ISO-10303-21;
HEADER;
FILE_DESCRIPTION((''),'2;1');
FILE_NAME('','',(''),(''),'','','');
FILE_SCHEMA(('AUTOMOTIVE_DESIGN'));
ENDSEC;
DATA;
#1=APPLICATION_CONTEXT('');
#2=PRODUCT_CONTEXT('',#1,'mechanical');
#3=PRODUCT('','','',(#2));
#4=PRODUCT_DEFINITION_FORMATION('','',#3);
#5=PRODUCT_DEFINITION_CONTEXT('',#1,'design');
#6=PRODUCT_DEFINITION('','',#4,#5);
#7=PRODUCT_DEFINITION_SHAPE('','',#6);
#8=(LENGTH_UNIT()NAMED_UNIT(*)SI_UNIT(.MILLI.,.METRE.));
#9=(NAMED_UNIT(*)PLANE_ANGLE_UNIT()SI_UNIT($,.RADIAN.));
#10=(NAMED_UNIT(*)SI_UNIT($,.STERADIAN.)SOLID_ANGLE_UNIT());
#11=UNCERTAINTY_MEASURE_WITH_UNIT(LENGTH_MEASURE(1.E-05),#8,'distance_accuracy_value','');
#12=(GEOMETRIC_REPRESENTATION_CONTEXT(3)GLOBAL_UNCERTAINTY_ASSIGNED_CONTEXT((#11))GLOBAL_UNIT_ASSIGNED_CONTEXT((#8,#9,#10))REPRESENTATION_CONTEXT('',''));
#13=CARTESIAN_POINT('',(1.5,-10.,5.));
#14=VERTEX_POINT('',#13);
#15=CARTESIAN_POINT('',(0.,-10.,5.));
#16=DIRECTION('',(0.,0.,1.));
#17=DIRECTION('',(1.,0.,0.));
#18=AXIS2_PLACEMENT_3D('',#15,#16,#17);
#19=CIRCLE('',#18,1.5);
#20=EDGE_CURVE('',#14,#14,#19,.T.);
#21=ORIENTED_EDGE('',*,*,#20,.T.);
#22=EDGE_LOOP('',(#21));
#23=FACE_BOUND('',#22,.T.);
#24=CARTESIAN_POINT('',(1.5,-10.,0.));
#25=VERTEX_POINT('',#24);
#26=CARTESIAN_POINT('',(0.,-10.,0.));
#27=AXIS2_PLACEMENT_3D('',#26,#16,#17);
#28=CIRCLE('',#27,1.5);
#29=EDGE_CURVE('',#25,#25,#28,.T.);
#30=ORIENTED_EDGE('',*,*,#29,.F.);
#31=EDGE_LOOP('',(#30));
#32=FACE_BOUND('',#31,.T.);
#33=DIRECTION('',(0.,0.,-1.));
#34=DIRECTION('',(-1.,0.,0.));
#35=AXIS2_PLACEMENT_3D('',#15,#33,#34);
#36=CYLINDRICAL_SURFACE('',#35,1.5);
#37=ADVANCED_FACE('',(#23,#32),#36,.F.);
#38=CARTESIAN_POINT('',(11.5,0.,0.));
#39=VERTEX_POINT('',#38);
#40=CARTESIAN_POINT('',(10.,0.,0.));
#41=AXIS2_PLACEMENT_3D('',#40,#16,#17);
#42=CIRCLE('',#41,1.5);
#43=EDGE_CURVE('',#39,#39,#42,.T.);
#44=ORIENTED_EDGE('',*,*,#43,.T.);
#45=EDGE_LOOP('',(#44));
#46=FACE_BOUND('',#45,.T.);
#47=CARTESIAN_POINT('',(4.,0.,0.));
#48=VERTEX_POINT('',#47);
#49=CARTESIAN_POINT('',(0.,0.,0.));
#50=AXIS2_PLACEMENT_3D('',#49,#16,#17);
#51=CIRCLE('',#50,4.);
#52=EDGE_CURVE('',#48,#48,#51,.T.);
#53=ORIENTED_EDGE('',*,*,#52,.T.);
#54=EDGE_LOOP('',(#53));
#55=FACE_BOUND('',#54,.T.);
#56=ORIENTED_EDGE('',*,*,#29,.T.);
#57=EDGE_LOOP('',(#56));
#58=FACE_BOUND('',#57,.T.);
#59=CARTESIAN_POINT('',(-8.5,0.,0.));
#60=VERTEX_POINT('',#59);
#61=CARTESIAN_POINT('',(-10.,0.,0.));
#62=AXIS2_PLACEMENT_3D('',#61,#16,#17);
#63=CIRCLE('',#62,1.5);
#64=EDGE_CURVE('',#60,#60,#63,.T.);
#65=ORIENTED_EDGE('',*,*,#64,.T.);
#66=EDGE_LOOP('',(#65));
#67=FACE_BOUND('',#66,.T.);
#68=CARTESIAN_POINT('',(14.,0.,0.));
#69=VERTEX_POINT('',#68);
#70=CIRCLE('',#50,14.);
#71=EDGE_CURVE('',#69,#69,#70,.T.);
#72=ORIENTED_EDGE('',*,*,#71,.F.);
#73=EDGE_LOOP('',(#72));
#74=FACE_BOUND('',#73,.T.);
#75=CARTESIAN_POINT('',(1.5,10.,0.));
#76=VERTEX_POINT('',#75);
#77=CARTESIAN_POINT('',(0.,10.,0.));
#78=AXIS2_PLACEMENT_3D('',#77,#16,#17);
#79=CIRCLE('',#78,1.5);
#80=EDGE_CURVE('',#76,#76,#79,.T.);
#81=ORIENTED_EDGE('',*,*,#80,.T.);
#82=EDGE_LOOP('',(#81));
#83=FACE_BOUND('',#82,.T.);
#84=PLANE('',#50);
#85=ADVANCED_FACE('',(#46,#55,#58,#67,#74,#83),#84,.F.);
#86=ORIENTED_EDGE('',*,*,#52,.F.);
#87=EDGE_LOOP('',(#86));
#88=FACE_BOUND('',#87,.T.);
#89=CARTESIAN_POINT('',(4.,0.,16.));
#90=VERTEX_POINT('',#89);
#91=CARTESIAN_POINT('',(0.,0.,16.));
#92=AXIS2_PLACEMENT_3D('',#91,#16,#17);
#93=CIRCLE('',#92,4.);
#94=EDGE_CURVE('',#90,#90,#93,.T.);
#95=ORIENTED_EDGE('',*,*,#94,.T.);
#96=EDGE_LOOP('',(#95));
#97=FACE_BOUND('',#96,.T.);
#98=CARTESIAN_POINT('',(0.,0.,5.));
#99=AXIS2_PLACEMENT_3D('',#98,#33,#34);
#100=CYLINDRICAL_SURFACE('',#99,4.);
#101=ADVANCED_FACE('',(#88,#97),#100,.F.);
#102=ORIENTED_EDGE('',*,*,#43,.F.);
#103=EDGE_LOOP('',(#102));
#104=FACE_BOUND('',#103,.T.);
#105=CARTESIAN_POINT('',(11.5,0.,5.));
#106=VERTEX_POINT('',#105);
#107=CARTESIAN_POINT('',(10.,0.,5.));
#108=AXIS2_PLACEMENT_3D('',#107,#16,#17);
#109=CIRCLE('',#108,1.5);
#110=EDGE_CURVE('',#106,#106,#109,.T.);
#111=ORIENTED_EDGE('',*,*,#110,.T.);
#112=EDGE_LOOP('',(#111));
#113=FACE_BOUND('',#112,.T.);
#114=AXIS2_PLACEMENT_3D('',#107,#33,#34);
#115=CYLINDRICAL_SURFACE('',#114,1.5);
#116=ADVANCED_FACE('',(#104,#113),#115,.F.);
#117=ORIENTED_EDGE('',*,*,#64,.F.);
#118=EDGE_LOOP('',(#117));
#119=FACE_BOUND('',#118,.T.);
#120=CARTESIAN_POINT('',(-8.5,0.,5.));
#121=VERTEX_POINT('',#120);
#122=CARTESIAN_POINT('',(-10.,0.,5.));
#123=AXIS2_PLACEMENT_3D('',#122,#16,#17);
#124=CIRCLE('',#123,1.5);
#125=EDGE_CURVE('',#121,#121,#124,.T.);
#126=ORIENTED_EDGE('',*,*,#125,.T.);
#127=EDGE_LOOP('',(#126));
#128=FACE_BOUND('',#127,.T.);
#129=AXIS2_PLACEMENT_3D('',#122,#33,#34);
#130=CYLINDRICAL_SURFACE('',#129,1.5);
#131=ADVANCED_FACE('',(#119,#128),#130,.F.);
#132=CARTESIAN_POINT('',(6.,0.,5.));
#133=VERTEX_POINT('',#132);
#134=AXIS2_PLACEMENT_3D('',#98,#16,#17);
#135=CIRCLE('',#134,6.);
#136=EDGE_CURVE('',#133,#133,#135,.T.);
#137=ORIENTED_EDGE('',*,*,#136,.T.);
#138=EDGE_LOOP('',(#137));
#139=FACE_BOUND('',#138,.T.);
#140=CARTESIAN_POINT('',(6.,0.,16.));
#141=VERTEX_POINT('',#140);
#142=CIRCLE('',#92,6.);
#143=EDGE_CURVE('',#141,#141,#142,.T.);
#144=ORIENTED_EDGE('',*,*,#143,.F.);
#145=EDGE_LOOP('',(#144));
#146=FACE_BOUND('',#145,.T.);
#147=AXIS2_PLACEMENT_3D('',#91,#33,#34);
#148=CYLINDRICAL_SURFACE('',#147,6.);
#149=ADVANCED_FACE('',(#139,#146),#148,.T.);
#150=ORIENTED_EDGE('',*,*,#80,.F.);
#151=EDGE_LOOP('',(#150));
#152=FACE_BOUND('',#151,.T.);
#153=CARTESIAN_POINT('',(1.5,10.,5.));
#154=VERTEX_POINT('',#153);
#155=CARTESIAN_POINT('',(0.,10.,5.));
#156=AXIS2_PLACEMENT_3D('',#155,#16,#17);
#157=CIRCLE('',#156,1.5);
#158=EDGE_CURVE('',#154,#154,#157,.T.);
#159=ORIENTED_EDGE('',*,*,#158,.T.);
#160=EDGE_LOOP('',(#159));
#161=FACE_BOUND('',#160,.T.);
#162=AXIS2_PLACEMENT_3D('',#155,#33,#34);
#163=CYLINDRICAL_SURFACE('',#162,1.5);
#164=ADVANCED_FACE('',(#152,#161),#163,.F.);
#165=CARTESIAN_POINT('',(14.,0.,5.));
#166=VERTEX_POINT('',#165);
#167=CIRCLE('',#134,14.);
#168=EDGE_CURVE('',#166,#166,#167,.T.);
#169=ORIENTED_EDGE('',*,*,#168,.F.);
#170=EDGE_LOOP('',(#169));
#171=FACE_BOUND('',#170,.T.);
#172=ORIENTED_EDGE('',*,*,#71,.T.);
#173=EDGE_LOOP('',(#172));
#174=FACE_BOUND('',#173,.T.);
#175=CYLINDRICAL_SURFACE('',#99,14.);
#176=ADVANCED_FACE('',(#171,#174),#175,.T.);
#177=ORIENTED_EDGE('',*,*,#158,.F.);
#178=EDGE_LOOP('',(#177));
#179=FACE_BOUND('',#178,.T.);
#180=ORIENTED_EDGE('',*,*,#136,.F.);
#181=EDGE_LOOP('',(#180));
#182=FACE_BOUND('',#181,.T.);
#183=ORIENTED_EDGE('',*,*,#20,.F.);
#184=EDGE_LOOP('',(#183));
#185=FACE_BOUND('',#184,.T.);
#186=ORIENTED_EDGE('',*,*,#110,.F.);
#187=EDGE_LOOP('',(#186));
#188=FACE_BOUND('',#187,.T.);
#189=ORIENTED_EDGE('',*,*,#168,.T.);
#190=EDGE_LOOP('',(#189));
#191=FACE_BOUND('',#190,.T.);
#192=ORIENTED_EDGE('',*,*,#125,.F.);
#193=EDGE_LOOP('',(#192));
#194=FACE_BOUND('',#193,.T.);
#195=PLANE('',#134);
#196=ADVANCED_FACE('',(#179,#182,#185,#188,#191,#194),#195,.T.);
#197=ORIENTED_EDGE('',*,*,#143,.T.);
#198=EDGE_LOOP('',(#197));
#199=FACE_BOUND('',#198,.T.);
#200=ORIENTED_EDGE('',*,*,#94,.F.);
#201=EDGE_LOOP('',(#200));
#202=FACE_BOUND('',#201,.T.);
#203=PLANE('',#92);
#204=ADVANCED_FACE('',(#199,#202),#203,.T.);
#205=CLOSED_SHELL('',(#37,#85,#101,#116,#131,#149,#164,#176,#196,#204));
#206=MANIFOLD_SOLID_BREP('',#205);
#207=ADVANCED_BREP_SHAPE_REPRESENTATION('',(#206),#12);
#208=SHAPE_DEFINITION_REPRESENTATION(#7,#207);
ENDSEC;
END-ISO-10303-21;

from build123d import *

# Parameters (mm, degrees)
SKETCH_1_R      = 14
SKETCH_1_R_2    = 4
SKETCH_1_R_3    = 1.5
EXTRUDE_1_DEPTH = 5
SKETCH_2_R      = 6
SKETCH_2_R_2    = 4
EXTRUDE_2_DEPTH = 11


with BuildPart() as part:
    # 草图1 → 凸台-拉伸1 (new body)
    with BuildSketch(Plane.XY):
        Circle(SKETCH_1_R)
        Circle(SKETCH_1_R_2, mode=Mode.SUBTRACT)
        with Locations((0, 10)):
            Circle(SKETCH_1_R_3, mode=Mode.SUBTRACT)
        with Locations((10, 0)):
            Circle(SKETCH_1_R_3, mode=Mode.SUBTRACT)
        with Locations((0, -10)):
            Circle(SKETCH_1_R_3, mode=Mode.SUBTRACT)
        with Locations((-10, 0)):
            Circle(SKETCH_1_R_3, mode=Mode.SUBTRACT)
    extrude(amount=EXTRUDE_1_DEPTH)

    # 草图2 → 凸台-拉伸2 (add)
    with BuildSketch(Plane.XY.offset(5)):
        Circle(SKETCH_2_R)
        Circle(SKETCH_2_R_2, mode=Mode.SUBTRACT)
    extrude(amount=EXTRUDE_2_DEPTH)


solid = part.part
